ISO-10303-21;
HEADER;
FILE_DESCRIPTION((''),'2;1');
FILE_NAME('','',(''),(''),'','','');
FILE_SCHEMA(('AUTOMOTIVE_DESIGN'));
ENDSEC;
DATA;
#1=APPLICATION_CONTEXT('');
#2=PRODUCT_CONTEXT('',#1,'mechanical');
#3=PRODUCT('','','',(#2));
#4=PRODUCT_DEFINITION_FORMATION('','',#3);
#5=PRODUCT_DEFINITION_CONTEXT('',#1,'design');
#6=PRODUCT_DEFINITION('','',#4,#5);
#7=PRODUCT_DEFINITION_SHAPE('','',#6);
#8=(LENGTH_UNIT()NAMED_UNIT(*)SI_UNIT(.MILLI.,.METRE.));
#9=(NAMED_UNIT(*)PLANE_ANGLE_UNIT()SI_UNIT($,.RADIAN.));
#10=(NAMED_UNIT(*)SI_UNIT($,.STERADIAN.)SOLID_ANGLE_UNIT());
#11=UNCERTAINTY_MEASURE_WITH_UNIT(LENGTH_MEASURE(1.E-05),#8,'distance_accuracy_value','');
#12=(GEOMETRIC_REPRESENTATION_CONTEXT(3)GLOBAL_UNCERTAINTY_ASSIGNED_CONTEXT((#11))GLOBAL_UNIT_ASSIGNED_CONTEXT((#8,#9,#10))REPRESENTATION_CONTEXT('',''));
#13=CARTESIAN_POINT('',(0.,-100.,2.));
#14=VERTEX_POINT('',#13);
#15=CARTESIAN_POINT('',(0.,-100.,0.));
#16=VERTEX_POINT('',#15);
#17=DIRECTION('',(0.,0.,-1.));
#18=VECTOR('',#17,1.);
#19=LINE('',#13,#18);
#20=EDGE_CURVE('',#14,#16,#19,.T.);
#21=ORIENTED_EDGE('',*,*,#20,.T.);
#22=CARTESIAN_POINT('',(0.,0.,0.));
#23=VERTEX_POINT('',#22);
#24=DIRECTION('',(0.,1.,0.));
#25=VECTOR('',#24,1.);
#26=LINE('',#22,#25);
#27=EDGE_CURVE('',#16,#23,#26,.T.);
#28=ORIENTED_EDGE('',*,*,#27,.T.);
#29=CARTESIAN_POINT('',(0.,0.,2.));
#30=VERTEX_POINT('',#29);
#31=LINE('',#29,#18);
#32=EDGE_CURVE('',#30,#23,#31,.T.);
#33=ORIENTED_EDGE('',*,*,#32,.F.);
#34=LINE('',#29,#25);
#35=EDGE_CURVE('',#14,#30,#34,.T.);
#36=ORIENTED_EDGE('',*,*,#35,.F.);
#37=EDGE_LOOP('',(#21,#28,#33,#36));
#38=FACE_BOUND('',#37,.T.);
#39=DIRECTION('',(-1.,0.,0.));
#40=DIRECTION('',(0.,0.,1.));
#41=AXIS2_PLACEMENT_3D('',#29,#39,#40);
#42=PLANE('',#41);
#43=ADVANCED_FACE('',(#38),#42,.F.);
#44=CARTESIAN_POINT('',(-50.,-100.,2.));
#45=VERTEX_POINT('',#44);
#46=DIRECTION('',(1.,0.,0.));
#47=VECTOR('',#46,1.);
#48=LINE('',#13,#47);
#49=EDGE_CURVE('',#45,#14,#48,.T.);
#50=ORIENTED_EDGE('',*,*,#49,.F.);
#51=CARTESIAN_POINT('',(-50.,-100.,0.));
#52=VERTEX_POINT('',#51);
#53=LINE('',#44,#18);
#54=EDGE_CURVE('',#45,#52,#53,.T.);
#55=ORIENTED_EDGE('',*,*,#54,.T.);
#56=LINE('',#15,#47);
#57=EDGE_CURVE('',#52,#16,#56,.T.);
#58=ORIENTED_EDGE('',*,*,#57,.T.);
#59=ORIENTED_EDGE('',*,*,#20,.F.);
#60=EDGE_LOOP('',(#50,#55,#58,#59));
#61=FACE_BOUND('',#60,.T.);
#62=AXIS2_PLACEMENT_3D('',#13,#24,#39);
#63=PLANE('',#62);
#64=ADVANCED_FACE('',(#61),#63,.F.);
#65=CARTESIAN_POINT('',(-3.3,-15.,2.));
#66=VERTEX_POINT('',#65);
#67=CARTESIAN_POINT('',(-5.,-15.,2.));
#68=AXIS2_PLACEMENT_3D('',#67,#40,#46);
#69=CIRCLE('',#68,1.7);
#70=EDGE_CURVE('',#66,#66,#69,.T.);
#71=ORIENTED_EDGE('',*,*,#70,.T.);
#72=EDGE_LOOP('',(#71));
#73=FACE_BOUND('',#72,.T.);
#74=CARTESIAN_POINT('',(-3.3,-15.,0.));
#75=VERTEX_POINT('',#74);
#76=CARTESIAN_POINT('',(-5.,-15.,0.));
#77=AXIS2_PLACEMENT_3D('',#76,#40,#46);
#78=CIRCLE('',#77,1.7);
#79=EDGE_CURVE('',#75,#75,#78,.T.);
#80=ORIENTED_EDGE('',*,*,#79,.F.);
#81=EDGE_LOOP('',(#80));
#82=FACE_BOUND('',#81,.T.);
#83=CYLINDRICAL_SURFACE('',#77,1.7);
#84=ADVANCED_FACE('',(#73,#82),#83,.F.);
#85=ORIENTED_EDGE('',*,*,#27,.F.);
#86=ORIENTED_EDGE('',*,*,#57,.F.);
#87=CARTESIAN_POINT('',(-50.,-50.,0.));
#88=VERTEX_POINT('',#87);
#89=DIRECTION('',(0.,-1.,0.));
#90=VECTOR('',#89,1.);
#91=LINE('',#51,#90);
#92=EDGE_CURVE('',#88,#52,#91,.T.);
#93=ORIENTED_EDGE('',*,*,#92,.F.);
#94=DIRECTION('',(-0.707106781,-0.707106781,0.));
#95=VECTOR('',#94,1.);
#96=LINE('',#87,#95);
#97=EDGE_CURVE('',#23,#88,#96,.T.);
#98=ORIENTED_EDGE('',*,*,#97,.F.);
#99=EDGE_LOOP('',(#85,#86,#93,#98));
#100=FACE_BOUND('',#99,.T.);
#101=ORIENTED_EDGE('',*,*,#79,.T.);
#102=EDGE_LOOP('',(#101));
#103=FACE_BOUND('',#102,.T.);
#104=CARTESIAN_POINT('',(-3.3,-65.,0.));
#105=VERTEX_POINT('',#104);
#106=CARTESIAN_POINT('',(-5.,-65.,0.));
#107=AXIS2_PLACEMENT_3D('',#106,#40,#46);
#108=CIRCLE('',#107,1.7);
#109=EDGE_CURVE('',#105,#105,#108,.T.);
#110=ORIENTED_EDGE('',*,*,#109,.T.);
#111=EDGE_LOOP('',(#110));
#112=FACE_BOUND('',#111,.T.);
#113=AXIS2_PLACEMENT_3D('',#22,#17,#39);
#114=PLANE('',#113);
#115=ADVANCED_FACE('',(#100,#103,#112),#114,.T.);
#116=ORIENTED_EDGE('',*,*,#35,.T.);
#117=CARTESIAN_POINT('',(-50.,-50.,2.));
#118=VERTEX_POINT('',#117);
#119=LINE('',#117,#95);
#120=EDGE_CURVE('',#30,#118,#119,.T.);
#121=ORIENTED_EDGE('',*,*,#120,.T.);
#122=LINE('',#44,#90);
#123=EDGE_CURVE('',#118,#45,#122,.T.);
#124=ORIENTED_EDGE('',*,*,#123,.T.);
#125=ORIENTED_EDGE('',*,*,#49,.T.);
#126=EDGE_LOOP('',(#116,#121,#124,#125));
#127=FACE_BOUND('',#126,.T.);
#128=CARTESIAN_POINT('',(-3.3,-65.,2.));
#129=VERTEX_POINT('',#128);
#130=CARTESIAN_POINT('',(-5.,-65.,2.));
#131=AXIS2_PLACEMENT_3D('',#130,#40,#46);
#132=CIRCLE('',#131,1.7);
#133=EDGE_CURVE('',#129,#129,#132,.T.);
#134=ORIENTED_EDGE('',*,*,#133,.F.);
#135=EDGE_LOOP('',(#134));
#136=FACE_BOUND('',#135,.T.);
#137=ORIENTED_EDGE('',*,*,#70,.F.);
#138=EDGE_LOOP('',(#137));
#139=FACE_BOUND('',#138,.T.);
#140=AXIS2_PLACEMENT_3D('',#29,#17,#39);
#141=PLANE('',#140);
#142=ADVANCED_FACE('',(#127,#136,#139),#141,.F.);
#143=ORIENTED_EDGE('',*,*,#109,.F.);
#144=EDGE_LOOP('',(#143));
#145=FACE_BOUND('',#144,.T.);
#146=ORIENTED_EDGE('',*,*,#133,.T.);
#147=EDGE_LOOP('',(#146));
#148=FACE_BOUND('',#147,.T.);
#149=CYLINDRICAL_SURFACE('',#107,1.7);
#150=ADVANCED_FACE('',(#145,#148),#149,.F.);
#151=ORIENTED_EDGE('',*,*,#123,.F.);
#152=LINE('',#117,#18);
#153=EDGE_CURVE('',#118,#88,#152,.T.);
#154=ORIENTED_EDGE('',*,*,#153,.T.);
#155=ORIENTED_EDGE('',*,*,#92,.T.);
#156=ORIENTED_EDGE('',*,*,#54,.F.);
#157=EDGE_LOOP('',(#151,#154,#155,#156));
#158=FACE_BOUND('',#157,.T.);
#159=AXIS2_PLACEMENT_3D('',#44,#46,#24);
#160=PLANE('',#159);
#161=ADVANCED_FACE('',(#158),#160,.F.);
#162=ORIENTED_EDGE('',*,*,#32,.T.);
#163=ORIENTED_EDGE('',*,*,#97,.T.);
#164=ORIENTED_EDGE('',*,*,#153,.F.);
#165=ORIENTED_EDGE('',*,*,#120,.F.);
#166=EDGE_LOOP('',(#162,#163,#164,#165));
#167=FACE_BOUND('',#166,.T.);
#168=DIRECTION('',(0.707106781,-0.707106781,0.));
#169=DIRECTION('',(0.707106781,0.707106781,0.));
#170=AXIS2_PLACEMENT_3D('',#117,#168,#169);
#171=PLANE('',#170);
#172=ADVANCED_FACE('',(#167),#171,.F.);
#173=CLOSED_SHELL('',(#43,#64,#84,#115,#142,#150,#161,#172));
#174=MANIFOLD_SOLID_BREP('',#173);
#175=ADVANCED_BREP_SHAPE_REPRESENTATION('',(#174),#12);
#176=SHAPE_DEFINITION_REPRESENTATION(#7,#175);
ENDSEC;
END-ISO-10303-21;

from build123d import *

# Parameters (mm, degrees)
BOSS_EXTRUDE1_DEPTH = 2
SKETCH2_R           = 1.7
CUT_EXTRUDE1_DEPTH  = 2


with BuildPart() as part:
    # Sketch1 → Boss-Extrude1 (new body)
    with BuildSketch(Plane.XY):
        Polygon((0, 0), (0, -100), (-50, -100), (-50, -50), align=None)
    extrude(amount=BOSS_EXTRUDE1_DEPTH)

    # Sketch2 → Cut-Extrude1 (cut)
    with BuildSketch(Plane.XY.offset(2)):
        with Locations((-5, -15)):
            Circle(SKETCH2_R)
        with Locations((-5, -65)):
            Circle(SKETCH2_R)
    extrude(amount=-CUT_EXTRUDE1_DEPTH, mode=Mode.SUBTRACT)


solid = part.part
